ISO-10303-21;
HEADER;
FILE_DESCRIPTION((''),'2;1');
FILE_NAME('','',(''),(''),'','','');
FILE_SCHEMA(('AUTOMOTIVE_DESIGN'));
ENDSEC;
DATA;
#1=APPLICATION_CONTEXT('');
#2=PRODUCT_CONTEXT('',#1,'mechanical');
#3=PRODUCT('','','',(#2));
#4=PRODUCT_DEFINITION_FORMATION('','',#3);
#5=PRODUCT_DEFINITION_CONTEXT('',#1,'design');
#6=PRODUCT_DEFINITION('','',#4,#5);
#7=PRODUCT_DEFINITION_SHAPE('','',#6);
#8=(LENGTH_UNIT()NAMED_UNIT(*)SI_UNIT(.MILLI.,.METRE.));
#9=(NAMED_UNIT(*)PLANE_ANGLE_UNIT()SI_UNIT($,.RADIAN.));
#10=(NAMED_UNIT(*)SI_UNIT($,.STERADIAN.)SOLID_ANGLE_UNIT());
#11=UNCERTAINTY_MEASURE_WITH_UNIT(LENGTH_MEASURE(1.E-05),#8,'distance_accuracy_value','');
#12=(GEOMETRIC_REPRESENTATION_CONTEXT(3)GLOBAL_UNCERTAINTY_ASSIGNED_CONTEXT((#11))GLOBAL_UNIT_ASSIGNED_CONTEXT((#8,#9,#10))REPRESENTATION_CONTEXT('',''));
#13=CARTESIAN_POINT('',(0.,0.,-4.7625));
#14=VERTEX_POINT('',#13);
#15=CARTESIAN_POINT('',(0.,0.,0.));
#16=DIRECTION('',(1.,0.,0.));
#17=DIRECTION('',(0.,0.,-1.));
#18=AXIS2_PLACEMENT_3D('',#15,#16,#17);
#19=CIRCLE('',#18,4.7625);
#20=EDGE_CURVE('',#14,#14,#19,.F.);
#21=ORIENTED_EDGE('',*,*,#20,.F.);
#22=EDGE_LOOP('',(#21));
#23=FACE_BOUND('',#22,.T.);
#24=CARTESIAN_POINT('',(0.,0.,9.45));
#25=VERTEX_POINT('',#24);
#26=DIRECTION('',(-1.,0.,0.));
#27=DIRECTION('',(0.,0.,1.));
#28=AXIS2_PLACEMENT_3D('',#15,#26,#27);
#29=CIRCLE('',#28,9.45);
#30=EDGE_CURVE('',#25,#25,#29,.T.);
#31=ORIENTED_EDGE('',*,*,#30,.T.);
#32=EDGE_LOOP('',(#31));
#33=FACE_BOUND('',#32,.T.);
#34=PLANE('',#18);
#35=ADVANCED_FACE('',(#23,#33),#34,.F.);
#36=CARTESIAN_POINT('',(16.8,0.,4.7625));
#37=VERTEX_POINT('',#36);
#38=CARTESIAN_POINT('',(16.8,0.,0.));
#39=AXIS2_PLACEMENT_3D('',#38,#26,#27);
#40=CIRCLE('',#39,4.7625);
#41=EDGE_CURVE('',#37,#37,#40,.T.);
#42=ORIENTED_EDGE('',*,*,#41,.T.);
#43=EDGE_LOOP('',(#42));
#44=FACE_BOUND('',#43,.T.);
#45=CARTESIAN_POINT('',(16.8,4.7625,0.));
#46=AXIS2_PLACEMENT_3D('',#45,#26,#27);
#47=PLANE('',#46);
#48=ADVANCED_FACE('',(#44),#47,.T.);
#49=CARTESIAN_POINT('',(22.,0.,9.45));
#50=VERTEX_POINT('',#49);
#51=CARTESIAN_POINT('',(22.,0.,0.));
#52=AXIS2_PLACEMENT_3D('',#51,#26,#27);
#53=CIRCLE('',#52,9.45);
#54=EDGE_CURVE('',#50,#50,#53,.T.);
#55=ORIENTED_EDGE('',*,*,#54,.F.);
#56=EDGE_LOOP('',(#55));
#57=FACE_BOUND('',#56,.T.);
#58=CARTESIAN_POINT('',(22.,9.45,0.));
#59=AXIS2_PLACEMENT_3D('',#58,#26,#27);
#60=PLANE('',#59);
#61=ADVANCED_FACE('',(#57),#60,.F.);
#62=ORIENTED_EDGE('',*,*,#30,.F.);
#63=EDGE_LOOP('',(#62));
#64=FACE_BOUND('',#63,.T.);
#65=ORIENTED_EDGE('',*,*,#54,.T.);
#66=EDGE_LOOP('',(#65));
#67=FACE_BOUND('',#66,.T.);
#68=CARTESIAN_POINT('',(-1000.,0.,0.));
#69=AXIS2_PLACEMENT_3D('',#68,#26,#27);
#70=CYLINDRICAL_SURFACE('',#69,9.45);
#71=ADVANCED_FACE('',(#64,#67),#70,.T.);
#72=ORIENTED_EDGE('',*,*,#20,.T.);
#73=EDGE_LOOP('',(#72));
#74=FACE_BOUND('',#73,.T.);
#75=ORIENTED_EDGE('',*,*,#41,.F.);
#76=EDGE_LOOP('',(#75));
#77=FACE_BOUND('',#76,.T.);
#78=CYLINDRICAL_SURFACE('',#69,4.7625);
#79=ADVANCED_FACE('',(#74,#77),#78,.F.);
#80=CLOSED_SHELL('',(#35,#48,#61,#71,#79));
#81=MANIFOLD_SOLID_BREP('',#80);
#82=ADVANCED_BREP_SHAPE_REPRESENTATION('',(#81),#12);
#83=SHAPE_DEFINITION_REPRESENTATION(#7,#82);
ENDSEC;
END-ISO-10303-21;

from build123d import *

# Parameters (mm, degrees)
CAP_T6_SKETCH_W   = 22
CAP_T6_SKETCH_H   = 9.45
SOCKET_1_SKETCH_W = 17.8
SOCKET_1_SKETCH_H = 4.7625


with BuildPart() as part:
    # Cap_T6 Sketch → Cap_T6 (revolve)
    with BuildSketch(Plane.XY):
        with Locations((11, 4.725)):
            Rectangle(CAP_T6_SKETCH_W, CAP_T6_SKETCH_H)
    revolve(axis=Axis((-1000, 0, 0), (1, 0, 0)))

    # Socket 1 Sketch → Socket 1 (revolve, cut)
    with BuildSketch(Plane.XY):
        with Locations((7.9, 2.38125)):
            Rectangle(SOCKET_1_SKETCH_W, SOCKET_1_SKETCH_H)
    revolve(axis=Axis((-1000, 0, 0), (1, 0, 0)), mode=Mode.SUBTRACT)


solid = part.part
